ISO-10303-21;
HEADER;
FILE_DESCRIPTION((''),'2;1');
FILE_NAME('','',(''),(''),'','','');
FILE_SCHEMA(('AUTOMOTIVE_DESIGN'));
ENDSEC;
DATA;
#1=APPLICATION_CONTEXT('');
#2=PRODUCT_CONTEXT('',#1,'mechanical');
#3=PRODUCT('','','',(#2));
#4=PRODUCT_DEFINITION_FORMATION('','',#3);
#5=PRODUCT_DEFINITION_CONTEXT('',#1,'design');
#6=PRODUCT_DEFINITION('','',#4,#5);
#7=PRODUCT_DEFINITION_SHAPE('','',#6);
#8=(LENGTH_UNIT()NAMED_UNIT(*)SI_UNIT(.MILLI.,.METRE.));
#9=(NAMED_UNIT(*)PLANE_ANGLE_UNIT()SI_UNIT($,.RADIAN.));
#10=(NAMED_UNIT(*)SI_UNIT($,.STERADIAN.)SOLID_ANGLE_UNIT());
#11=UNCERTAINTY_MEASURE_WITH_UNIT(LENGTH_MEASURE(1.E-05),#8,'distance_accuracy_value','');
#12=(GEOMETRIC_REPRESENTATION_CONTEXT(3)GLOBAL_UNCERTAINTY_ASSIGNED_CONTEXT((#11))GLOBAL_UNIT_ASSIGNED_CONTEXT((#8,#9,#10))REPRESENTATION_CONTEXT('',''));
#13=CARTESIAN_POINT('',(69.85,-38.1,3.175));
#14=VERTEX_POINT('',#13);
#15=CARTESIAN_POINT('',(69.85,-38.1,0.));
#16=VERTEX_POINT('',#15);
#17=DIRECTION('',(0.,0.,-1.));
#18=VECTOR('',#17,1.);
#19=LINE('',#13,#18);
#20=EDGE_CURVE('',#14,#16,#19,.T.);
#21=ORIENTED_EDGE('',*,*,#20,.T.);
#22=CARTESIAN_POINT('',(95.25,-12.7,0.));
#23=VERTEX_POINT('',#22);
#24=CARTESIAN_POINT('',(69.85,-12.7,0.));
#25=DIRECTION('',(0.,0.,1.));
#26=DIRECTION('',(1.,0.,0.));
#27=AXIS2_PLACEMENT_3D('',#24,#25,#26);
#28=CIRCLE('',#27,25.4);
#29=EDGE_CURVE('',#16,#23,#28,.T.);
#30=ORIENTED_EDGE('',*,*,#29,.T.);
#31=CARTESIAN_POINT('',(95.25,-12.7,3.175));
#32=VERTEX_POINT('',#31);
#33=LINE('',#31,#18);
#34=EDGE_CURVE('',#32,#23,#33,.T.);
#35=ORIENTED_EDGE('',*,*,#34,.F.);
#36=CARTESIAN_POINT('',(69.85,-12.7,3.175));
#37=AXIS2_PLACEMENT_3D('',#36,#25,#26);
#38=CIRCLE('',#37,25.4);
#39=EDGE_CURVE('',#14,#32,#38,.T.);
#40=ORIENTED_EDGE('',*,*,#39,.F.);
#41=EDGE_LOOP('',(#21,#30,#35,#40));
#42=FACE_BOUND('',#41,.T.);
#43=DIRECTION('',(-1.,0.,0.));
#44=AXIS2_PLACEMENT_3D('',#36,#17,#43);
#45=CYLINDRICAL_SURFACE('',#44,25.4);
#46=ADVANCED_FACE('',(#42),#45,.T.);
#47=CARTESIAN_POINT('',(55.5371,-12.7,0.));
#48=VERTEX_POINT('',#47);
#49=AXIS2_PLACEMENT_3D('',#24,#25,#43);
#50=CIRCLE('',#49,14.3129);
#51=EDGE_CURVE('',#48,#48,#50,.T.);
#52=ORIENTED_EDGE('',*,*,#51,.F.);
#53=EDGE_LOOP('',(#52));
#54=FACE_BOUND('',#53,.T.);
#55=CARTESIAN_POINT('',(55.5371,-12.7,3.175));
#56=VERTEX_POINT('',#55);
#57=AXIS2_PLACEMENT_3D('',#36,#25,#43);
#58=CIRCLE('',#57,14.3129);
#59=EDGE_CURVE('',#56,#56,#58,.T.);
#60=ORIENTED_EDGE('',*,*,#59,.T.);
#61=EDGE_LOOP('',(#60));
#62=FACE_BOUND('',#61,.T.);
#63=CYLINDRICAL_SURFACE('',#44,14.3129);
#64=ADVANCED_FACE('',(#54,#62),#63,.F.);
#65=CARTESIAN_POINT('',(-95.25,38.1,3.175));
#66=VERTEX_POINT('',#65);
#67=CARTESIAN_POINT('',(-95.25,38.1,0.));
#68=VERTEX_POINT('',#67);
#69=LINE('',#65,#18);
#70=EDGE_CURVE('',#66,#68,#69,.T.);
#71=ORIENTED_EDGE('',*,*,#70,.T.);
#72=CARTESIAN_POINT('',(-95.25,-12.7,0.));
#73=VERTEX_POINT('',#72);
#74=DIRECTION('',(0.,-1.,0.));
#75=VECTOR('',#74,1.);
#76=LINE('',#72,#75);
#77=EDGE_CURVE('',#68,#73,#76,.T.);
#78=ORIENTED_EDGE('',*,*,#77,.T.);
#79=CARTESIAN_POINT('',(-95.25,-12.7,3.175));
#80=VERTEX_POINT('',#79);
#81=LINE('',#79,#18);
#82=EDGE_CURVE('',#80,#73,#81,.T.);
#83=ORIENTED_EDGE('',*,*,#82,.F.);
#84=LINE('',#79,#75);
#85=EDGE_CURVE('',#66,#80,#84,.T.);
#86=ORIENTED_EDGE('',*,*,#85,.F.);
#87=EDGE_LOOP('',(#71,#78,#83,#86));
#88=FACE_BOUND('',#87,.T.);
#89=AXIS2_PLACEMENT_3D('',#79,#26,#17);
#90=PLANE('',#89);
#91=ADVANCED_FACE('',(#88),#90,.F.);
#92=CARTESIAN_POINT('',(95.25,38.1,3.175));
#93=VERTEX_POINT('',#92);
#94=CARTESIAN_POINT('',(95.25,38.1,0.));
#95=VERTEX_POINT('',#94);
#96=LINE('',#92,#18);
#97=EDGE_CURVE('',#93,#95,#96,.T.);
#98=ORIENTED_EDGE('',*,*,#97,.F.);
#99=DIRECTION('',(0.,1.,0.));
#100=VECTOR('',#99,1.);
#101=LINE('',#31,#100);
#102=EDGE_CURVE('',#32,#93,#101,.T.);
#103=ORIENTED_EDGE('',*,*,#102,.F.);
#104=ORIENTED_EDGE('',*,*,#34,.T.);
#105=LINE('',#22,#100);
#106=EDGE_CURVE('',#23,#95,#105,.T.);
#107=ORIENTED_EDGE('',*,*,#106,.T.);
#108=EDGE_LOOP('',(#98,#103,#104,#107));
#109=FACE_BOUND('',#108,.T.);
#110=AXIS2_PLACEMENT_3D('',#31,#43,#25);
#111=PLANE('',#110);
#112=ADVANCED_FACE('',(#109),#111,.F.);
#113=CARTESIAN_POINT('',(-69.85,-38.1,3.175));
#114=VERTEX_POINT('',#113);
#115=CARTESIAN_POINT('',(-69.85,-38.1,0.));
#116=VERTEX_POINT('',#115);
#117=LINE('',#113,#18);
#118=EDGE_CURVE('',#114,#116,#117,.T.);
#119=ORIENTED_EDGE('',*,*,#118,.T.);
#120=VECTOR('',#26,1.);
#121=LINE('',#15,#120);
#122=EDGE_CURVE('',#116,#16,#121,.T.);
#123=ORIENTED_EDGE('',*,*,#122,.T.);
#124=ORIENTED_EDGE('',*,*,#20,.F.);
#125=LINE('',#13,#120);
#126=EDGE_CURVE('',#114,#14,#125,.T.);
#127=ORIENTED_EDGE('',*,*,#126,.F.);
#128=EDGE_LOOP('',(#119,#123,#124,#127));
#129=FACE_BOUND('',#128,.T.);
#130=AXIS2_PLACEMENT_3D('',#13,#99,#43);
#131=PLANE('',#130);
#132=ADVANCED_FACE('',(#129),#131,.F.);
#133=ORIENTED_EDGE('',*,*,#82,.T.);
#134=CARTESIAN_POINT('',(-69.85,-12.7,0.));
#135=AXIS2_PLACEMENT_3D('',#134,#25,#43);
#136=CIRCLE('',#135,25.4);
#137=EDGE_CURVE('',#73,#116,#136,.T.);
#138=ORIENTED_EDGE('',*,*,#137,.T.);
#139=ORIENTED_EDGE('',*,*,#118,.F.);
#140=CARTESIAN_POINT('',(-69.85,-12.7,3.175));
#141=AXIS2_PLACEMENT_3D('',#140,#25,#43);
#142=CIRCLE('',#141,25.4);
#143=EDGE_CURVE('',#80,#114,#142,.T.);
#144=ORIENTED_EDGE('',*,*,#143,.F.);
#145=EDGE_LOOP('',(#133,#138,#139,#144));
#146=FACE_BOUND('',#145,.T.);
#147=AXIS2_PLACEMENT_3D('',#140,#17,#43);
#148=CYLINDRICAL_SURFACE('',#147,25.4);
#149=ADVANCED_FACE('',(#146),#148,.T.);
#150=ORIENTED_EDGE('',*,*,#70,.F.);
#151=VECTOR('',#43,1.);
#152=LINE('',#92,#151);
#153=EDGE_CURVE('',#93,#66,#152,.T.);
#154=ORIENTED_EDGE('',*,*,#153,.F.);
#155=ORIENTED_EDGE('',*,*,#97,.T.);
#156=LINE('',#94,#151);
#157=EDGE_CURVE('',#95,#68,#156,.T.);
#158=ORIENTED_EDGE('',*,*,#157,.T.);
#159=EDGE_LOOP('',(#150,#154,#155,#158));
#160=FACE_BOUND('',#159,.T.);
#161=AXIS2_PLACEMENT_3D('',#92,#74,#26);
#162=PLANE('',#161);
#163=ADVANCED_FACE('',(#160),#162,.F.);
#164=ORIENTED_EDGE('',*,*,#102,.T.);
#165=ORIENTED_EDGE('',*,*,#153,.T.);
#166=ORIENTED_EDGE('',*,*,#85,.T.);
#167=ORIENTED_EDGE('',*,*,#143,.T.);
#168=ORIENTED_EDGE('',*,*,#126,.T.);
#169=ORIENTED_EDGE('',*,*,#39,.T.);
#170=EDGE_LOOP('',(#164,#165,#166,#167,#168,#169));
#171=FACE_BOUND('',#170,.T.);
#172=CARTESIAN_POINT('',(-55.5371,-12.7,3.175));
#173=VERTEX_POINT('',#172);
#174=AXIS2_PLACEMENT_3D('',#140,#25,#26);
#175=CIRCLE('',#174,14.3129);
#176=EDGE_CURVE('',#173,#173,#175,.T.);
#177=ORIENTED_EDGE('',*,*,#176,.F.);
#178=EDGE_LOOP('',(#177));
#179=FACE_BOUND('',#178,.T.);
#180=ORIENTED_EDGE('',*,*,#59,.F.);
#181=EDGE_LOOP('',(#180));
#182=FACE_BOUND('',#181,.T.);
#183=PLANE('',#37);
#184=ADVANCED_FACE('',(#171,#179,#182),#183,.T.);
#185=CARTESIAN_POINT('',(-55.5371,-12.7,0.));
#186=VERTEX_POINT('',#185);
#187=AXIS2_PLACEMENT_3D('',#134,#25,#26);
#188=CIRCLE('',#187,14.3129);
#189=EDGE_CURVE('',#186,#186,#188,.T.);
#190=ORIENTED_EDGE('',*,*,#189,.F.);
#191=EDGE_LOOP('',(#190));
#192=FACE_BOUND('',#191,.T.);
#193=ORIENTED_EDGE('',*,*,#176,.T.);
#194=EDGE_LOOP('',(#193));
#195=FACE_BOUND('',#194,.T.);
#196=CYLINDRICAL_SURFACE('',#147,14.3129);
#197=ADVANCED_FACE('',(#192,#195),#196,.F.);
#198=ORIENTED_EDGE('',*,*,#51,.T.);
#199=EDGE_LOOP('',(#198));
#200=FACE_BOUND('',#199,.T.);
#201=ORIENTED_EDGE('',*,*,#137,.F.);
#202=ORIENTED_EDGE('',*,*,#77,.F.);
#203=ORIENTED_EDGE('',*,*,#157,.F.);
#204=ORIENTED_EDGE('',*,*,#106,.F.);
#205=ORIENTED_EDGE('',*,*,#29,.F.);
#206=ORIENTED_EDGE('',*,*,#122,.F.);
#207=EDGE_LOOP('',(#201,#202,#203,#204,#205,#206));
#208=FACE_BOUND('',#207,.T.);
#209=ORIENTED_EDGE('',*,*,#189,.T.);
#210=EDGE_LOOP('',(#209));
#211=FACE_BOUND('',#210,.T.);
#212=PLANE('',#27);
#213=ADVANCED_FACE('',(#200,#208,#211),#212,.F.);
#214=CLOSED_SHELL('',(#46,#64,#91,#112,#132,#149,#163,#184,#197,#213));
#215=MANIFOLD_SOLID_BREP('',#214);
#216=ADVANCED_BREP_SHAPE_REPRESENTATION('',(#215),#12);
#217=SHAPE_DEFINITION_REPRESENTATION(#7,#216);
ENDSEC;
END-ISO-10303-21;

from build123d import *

# Parameters (mm, degrees)
SKETCH1_R           = 14.3129
BOSS_EXTRUDE1_DEPTH = 3.175


with BuildPart() as part:
    # Sketch1 → Boss-Extrude1 (new body)
    with BuildSketch(Plane.XY):
        with BuildLine():
            Line((69.85, -38.1), (-69.85, -38.1))
            ThreePointArc((-69.85, -38.1), (-87.810512242, -30.660512242), (-95.25, -12.7))
            Line((-95.25, -12.7), (-95.25, 38.1))
            Line((-95.25, 38.1), (95.25, 38.1))
            Line((95.25, 38.1), (95.25, -12.7))
            ThreePointArc((95.25, -12.7), (87.810512242, -30.660512242), (69.85, -38.1))
        make_face()
        with Locations((-69.85, -12.7)):
            Circle(SKETCH1_R, mode=Mode.SUBTRACT)
        with Locations(Location((69.85, -12.7, 0), (0, 0, 180))):
            Circle(SKETCH1_R, mode=Mode.SUBTRACT)
    extrude(amount=BOSS_EXTRUDE1_DEPTH)


solid = part.part
